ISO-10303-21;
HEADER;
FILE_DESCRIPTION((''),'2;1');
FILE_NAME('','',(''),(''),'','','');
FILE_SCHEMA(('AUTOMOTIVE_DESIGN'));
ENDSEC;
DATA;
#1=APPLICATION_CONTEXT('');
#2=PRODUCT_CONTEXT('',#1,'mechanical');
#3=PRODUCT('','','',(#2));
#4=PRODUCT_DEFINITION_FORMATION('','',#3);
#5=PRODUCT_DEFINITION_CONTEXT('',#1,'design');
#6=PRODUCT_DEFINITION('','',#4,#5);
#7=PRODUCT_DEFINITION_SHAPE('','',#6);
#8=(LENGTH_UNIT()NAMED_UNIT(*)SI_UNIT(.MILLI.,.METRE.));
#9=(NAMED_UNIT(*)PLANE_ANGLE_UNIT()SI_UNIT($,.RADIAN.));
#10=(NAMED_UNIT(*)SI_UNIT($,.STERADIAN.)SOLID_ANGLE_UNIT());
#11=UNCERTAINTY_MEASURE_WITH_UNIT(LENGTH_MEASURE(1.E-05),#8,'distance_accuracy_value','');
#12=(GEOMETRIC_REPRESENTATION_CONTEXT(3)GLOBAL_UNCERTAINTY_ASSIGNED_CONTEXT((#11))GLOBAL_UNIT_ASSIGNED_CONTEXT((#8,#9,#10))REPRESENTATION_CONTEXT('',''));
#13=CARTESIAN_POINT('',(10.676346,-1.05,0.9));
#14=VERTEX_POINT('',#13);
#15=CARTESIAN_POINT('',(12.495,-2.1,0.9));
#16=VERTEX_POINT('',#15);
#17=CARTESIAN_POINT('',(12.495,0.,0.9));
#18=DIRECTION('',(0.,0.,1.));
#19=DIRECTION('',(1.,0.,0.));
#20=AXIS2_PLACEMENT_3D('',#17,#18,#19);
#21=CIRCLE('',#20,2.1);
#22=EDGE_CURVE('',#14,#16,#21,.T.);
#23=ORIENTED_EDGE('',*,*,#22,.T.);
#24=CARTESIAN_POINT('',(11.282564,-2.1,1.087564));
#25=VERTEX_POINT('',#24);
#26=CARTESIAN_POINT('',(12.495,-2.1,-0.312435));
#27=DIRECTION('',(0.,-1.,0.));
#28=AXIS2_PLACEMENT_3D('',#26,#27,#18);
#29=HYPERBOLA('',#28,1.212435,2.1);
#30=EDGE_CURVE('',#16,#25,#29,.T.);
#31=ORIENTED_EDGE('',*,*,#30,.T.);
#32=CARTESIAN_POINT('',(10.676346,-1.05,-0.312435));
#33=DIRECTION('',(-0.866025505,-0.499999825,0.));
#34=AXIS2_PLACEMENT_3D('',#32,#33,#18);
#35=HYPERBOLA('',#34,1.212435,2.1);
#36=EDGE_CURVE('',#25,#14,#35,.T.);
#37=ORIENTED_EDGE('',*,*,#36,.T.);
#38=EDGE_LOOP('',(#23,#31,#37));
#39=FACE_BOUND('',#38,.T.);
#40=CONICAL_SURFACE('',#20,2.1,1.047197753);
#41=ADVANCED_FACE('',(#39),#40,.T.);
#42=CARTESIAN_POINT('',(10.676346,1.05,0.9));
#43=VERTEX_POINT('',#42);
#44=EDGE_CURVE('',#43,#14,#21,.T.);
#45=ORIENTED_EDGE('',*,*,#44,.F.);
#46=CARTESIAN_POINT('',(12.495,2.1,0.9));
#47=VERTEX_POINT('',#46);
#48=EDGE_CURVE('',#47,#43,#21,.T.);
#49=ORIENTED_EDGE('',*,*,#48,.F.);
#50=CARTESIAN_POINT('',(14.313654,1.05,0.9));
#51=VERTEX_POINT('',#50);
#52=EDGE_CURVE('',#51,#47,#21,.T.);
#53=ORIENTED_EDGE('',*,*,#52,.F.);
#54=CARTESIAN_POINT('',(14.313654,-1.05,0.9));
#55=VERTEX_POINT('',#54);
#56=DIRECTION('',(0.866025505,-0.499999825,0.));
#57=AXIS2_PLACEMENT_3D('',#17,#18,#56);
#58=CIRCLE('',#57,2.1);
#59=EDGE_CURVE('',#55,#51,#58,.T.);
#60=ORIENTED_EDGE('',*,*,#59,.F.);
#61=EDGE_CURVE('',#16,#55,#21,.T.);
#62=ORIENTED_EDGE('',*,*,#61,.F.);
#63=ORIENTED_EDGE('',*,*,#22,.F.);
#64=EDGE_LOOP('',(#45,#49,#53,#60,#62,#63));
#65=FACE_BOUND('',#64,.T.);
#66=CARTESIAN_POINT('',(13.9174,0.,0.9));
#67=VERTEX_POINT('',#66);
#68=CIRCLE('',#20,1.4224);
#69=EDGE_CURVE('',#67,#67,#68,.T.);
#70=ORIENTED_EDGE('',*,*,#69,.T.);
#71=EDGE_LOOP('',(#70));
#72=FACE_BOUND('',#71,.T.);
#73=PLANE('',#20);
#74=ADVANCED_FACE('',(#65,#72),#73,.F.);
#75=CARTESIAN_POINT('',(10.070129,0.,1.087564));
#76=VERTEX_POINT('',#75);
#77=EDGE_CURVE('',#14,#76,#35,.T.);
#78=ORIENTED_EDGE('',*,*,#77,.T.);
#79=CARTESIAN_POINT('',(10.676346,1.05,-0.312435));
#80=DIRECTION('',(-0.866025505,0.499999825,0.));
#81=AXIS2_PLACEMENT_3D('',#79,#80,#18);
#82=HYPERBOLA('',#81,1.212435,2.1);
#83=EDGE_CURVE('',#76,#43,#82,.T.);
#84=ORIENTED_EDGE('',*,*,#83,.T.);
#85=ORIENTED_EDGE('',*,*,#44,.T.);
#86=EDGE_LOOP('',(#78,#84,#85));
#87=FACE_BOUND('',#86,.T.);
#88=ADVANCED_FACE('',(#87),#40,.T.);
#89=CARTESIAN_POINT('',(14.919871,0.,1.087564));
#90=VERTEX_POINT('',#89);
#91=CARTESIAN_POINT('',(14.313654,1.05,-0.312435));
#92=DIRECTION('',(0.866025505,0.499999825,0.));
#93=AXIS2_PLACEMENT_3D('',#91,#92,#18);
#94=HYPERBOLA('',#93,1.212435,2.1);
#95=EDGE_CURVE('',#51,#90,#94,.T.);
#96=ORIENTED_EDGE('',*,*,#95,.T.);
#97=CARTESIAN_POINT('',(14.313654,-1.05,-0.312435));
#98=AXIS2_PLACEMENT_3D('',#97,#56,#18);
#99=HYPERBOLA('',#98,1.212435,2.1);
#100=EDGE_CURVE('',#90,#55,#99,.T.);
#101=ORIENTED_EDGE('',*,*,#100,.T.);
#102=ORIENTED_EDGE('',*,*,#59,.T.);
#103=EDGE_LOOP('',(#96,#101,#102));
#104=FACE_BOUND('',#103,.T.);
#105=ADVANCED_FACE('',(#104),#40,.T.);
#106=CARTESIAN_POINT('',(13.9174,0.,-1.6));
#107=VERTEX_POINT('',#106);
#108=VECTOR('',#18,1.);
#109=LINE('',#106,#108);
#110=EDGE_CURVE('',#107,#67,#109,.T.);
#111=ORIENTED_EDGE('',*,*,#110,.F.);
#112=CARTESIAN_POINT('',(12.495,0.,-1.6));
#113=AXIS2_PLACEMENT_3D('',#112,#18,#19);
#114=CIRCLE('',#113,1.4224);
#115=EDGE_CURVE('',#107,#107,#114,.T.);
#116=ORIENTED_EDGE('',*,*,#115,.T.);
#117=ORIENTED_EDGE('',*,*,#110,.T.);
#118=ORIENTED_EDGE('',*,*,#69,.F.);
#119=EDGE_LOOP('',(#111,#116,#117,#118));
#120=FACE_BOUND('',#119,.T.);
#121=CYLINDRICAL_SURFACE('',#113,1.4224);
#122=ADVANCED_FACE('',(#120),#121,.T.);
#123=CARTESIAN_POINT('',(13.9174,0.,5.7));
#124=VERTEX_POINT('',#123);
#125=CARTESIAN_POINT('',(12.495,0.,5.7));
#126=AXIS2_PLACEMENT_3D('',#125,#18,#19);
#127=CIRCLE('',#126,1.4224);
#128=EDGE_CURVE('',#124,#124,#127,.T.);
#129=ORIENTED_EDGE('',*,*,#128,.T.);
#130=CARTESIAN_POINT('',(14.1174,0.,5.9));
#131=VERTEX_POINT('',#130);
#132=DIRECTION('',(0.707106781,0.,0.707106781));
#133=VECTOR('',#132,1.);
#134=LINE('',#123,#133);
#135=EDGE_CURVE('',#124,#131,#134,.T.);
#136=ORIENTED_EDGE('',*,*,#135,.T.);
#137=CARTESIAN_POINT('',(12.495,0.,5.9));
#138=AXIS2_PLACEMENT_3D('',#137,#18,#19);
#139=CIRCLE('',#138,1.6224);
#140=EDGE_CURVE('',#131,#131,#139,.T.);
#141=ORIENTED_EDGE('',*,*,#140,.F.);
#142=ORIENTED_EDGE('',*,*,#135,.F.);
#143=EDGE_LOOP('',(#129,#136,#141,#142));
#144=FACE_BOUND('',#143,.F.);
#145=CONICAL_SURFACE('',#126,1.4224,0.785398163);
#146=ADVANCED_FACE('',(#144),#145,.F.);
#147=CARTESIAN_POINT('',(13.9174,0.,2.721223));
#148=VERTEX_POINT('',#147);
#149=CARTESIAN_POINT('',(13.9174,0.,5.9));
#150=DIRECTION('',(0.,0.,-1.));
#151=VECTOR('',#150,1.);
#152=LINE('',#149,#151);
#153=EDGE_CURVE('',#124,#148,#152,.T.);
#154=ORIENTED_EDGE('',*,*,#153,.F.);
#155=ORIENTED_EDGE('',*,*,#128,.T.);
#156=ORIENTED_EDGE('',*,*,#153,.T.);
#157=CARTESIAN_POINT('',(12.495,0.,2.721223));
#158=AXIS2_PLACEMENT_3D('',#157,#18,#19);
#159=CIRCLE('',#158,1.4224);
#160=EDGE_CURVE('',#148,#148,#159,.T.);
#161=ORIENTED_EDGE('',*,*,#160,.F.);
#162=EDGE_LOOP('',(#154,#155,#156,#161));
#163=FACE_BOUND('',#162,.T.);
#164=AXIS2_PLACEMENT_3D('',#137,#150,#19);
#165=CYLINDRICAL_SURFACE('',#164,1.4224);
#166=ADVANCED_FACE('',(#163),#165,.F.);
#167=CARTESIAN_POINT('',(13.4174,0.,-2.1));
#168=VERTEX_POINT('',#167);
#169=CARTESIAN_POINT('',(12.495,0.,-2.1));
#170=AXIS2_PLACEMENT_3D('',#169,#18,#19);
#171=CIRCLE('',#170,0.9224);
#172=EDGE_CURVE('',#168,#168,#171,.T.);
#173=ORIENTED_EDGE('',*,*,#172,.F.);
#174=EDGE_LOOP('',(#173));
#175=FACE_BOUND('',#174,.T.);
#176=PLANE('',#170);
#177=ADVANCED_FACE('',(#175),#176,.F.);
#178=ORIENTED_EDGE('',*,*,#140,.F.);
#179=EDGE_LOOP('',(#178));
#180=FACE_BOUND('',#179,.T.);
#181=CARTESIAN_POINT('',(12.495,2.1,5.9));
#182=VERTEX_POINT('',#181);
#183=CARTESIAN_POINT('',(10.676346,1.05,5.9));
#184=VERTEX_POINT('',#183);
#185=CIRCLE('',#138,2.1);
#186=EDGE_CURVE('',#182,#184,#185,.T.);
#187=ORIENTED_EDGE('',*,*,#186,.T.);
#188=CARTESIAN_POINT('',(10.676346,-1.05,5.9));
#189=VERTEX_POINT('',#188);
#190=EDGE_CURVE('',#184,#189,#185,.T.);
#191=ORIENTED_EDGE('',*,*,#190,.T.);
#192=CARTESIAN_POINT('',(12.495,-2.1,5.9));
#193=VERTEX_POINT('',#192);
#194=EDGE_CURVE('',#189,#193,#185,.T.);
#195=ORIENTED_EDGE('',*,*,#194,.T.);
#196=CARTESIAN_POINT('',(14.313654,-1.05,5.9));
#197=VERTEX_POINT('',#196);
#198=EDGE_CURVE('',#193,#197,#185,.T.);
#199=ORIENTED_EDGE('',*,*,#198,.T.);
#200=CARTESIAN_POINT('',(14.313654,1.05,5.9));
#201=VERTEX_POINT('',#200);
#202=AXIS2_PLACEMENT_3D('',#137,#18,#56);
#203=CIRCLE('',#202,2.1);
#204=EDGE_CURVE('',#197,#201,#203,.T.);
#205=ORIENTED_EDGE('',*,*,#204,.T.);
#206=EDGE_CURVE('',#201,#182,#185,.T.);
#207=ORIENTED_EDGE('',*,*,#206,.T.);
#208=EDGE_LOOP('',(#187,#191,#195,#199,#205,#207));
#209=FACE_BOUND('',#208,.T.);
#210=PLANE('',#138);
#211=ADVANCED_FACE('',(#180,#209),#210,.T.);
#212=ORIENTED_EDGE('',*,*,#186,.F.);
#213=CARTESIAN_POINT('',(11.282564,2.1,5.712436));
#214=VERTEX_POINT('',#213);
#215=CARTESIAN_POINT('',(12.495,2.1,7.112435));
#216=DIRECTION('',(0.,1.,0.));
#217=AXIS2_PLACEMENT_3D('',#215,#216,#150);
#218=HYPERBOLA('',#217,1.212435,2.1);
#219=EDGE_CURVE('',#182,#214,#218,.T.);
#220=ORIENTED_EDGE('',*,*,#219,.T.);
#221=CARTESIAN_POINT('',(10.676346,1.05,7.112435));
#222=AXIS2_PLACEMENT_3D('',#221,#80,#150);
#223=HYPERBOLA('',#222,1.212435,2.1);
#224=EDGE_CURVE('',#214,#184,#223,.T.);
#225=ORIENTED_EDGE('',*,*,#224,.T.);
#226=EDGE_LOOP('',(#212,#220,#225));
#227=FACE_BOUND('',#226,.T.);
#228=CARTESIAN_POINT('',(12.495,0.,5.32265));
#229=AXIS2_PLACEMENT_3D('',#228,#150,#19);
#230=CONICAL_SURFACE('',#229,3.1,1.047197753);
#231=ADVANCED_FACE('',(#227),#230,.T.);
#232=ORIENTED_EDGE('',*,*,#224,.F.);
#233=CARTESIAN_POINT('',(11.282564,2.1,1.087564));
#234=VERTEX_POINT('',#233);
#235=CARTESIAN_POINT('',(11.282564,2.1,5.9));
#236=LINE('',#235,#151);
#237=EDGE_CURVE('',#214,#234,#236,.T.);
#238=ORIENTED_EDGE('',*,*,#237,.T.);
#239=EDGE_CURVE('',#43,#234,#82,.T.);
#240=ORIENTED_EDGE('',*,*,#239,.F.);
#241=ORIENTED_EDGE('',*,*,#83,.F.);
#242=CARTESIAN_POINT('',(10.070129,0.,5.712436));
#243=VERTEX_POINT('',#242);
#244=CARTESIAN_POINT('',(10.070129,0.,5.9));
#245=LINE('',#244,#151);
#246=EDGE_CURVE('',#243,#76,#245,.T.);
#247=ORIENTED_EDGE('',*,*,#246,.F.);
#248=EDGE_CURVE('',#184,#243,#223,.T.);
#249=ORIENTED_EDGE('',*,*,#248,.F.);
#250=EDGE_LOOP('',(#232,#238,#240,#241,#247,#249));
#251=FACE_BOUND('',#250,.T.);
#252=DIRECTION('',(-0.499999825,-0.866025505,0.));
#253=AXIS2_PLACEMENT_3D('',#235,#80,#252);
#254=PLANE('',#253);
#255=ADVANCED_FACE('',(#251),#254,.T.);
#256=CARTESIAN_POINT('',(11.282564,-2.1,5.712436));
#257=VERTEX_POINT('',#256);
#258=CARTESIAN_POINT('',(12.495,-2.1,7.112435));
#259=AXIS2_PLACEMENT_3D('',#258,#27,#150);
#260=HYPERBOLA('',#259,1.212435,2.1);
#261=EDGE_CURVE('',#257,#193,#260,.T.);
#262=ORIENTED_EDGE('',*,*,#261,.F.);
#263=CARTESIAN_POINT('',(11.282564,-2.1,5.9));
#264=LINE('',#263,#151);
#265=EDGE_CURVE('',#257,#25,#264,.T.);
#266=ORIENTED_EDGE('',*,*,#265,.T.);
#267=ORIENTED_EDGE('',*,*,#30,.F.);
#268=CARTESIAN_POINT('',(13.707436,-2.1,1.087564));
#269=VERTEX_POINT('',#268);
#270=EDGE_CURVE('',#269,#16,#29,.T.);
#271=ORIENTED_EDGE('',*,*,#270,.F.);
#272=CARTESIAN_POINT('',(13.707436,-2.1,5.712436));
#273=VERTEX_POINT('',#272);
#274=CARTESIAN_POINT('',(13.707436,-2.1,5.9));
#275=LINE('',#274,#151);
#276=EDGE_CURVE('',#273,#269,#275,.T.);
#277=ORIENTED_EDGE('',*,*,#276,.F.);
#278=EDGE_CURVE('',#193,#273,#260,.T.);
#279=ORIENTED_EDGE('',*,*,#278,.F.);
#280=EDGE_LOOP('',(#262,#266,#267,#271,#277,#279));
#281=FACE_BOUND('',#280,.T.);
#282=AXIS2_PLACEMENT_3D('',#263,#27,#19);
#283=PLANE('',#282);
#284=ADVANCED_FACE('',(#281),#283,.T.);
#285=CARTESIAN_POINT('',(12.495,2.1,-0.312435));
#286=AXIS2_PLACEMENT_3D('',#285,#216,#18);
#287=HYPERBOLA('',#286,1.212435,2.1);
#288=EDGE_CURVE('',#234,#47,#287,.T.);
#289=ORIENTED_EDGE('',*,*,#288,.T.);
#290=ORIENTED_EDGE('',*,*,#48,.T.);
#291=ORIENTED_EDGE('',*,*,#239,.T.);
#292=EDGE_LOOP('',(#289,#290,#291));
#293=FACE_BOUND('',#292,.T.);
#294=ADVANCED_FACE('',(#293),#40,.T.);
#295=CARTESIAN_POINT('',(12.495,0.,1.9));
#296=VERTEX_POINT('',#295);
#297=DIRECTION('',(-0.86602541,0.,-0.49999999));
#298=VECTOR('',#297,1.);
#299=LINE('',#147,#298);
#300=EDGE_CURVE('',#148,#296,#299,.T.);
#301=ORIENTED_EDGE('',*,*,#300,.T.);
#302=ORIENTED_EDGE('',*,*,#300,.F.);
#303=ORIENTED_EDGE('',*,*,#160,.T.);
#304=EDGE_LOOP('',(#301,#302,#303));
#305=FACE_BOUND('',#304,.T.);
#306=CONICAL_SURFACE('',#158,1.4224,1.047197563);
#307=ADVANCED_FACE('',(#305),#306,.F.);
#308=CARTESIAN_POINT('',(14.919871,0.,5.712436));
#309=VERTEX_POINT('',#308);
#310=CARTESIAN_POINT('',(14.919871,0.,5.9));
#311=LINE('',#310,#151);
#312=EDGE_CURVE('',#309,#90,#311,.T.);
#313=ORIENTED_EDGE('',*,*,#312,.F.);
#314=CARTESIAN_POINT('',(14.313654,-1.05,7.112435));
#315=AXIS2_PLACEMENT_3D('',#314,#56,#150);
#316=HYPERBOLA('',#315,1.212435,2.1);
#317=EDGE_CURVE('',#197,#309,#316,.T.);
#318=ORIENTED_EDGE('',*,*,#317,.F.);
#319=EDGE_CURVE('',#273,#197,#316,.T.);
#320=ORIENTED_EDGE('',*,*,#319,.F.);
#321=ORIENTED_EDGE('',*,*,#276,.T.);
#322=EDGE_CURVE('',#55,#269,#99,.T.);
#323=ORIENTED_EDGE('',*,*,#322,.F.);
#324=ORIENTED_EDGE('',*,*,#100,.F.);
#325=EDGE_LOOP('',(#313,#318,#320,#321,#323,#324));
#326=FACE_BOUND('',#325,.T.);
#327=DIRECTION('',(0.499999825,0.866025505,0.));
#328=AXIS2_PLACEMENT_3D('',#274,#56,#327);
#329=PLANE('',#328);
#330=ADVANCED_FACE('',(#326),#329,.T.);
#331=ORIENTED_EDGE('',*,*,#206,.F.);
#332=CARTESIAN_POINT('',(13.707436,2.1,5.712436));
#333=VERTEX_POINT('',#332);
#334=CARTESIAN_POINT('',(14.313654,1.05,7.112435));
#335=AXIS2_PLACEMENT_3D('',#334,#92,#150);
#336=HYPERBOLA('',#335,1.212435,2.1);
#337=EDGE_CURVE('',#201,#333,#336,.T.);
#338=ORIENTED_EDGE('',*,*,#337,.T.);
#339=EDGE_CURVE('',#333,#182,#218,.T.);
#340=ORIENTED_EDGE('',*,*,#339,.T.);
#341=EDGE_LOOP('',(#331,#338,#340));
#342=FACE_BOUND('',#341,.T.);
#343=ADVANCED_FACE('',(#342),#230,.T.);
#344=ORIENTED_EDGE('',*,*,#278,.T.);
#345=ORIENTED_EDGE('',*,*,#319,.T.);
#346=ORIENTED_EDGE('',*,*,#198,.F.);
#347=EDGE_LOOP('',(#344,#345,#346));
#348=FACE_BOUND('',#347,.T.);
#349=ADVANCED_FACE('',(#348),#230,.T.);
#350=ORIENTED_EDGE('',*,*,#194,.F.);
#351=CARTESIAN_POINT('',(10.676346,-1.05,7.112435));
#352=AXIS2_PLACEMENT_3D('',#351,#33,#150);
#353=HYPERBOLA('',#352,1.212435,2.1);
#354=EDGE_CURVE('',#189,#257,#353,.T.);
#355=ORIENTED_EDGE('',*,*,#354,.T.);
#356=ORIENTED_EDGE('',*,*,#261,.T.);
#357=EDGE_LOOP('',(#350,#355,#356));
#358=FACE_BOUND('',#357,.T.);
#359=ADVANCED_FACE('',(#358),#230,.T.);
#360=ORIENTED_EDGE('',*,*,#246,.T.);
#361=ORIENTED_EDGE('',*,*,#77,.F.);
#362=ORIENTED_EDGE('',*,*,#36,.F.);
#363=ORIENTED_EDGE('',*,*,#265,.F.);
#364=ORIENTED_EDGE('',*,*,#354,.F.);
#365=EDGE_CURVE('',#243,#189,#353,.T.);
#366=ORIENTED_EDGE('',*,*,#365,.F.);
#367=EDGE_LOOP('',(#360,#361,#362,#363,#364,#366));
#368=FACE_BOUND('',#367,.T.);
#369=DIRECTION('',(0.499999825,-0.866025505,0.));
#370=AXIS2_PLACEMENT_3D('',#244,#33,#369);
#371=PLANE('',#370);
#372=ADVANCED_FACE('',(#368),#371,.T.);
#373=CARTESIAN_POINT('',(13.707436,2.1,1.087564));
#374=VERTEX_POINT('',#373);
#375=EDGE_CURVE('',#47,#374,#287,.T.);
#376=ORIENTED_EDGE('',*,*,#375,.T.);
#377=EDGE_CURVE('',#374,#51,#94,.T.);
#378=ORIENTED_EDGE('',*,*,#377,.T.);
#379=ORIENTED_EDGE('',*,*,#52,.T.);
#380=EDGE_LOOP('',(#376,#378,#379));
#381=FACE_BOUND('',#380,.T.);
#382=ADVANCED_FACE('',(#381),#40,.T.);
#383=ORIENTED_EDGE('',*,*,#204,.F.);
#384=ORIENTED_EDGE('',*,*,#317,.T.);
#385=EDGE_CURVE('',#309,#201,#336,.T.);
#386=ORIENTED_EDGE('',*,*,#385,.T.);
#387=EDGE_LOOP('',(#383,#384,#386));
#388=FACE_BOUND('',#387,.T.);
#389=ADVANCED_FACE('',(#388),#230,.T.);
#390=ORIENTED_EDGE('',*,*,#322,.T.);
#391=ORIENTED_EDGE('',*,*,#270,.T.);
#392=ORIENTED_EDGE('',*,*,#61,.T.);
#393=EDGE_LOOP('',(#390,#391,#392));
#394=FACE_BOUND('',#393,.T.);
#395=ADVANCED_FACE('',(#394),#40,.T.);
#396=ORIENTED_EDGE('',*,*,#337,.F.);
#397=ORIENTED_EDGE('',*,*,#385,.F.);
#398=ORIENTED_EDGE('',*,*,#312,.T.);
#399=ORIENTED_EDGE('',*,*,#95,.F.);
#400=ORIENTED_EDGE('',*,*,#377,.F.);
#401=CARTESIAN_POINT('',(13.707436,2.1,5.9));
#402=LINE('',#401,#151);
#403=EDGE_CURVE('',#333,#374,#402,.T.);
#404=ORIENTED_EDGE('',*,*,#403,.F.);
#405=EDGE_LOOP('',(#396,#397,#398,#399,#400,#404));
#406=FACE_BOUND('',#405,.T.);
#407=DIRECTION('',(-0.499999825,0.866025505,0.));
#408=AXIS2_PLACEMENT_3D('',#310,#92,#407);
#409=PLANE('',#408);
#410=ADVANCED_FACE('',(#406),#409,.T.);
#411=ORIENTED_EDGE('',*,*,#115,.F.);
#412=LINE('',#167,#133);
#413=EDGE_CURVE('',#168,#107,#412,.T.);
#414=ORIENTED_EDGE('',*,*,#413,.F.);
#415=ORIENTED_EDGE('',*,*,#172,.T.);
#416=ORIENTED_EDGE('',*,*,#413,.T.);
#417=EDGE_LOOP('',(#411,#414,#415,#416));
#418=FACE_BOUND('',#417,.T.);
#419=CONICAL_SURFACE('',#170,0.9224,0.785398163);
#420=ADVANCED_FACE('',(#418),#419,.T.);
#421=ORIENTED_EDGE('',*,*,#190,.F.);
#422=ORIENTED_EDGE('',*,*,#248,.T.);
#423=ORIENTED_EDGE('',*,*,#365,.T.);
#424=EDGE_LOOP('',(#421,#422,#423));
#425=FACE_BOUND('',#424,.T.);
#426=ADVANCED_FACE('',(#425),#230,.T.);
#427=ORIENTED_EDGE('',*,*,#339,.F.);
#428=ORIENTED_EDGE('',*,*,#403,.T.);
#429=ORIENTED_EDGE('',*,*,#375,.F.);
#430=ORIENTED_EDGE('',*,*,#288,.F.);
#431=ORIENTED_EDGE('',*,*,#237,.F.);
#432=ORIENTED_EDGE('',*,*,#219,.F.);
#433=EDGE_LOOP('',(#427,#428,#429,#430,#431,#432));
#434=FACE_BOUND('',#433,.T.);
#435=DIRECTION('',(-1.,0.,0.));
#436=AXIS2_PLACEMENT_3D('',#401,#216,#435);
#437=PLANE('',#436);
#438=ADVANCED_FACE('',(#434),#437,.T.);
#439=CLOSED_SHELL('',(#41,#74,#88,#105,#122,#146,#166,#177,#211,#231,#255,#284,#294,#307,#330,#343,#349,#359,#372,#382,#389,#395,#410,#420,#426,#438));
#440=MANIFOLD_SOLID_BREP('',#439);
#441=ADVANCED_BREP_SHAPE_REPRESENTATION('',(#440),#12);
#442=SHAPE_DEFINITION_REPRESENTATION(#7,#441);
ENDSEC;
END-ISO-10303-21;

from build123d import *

# Parameters (mm, degrees)
SKETCH013_R     = 3.630449
POCKET007_DEPTH = 8.001
CHAMFER_SIZE    = 0.2


with BuildPart() as part:
    # Sketch012 → Revolution001 (revolve)
    with BuildSketch(Plane.XZ):
        Polygon((1.4224, 5), (1.4224, 1.821223), (0, 1), (0, -3), (0.9224, -3), (1.4224, -2.5), (1.4224, 0), (2.1, 0), (3.1, 0.57735), (3.1, 4.42265), (2.1, 5), align=None)
    revolve(axis=Axis((0, 0, 0), (0, 0, 1)))

    # Sketch013 (on Face10 of Revolution001) → Pocket007 (cut, through all)
    with BuildSketch(Plane(origin=(0, 0, 5), x_dir=(-1, 0, 0), z_dir=(0, 0, 1))):
        Circle(SKETCH013_R)
        Polygon((2.424871, 0), (1.212436, 2.1), (-1.212436, 2.1), (-2.424871, 0), (-1.212436, -2.1), (1.212436, -2.1), align=None, mode=Mode.SUBTRACT)
    extrude(amount=-POCKET007_DEPTH, mode=Mode.SUBTRACT)

    # Chamfer
    chamfer_edges = [part.edges().sort_by_distance(p)[0] for p in [
        (-1.4224, 0, 5),
    ]]
    chamfer(chamfer_edges, length=CHAMFER_SIZE)


with BuildPart() as part_1:
    # Body004 placement: moved
    add(part.part.moved(Location((-12.495, 0, 0.9))))


with BuildPart() as part_2:
    # Clone001 placement: moved
    add(part_1.part.moved(Location((12.495, 0, -0.9))))


with BuildPart() as part_3:
    # Body005 placement: moved
    add(part_2.part.moved(Location((12.495, 0, 0.9))))


solid = part_3.part
